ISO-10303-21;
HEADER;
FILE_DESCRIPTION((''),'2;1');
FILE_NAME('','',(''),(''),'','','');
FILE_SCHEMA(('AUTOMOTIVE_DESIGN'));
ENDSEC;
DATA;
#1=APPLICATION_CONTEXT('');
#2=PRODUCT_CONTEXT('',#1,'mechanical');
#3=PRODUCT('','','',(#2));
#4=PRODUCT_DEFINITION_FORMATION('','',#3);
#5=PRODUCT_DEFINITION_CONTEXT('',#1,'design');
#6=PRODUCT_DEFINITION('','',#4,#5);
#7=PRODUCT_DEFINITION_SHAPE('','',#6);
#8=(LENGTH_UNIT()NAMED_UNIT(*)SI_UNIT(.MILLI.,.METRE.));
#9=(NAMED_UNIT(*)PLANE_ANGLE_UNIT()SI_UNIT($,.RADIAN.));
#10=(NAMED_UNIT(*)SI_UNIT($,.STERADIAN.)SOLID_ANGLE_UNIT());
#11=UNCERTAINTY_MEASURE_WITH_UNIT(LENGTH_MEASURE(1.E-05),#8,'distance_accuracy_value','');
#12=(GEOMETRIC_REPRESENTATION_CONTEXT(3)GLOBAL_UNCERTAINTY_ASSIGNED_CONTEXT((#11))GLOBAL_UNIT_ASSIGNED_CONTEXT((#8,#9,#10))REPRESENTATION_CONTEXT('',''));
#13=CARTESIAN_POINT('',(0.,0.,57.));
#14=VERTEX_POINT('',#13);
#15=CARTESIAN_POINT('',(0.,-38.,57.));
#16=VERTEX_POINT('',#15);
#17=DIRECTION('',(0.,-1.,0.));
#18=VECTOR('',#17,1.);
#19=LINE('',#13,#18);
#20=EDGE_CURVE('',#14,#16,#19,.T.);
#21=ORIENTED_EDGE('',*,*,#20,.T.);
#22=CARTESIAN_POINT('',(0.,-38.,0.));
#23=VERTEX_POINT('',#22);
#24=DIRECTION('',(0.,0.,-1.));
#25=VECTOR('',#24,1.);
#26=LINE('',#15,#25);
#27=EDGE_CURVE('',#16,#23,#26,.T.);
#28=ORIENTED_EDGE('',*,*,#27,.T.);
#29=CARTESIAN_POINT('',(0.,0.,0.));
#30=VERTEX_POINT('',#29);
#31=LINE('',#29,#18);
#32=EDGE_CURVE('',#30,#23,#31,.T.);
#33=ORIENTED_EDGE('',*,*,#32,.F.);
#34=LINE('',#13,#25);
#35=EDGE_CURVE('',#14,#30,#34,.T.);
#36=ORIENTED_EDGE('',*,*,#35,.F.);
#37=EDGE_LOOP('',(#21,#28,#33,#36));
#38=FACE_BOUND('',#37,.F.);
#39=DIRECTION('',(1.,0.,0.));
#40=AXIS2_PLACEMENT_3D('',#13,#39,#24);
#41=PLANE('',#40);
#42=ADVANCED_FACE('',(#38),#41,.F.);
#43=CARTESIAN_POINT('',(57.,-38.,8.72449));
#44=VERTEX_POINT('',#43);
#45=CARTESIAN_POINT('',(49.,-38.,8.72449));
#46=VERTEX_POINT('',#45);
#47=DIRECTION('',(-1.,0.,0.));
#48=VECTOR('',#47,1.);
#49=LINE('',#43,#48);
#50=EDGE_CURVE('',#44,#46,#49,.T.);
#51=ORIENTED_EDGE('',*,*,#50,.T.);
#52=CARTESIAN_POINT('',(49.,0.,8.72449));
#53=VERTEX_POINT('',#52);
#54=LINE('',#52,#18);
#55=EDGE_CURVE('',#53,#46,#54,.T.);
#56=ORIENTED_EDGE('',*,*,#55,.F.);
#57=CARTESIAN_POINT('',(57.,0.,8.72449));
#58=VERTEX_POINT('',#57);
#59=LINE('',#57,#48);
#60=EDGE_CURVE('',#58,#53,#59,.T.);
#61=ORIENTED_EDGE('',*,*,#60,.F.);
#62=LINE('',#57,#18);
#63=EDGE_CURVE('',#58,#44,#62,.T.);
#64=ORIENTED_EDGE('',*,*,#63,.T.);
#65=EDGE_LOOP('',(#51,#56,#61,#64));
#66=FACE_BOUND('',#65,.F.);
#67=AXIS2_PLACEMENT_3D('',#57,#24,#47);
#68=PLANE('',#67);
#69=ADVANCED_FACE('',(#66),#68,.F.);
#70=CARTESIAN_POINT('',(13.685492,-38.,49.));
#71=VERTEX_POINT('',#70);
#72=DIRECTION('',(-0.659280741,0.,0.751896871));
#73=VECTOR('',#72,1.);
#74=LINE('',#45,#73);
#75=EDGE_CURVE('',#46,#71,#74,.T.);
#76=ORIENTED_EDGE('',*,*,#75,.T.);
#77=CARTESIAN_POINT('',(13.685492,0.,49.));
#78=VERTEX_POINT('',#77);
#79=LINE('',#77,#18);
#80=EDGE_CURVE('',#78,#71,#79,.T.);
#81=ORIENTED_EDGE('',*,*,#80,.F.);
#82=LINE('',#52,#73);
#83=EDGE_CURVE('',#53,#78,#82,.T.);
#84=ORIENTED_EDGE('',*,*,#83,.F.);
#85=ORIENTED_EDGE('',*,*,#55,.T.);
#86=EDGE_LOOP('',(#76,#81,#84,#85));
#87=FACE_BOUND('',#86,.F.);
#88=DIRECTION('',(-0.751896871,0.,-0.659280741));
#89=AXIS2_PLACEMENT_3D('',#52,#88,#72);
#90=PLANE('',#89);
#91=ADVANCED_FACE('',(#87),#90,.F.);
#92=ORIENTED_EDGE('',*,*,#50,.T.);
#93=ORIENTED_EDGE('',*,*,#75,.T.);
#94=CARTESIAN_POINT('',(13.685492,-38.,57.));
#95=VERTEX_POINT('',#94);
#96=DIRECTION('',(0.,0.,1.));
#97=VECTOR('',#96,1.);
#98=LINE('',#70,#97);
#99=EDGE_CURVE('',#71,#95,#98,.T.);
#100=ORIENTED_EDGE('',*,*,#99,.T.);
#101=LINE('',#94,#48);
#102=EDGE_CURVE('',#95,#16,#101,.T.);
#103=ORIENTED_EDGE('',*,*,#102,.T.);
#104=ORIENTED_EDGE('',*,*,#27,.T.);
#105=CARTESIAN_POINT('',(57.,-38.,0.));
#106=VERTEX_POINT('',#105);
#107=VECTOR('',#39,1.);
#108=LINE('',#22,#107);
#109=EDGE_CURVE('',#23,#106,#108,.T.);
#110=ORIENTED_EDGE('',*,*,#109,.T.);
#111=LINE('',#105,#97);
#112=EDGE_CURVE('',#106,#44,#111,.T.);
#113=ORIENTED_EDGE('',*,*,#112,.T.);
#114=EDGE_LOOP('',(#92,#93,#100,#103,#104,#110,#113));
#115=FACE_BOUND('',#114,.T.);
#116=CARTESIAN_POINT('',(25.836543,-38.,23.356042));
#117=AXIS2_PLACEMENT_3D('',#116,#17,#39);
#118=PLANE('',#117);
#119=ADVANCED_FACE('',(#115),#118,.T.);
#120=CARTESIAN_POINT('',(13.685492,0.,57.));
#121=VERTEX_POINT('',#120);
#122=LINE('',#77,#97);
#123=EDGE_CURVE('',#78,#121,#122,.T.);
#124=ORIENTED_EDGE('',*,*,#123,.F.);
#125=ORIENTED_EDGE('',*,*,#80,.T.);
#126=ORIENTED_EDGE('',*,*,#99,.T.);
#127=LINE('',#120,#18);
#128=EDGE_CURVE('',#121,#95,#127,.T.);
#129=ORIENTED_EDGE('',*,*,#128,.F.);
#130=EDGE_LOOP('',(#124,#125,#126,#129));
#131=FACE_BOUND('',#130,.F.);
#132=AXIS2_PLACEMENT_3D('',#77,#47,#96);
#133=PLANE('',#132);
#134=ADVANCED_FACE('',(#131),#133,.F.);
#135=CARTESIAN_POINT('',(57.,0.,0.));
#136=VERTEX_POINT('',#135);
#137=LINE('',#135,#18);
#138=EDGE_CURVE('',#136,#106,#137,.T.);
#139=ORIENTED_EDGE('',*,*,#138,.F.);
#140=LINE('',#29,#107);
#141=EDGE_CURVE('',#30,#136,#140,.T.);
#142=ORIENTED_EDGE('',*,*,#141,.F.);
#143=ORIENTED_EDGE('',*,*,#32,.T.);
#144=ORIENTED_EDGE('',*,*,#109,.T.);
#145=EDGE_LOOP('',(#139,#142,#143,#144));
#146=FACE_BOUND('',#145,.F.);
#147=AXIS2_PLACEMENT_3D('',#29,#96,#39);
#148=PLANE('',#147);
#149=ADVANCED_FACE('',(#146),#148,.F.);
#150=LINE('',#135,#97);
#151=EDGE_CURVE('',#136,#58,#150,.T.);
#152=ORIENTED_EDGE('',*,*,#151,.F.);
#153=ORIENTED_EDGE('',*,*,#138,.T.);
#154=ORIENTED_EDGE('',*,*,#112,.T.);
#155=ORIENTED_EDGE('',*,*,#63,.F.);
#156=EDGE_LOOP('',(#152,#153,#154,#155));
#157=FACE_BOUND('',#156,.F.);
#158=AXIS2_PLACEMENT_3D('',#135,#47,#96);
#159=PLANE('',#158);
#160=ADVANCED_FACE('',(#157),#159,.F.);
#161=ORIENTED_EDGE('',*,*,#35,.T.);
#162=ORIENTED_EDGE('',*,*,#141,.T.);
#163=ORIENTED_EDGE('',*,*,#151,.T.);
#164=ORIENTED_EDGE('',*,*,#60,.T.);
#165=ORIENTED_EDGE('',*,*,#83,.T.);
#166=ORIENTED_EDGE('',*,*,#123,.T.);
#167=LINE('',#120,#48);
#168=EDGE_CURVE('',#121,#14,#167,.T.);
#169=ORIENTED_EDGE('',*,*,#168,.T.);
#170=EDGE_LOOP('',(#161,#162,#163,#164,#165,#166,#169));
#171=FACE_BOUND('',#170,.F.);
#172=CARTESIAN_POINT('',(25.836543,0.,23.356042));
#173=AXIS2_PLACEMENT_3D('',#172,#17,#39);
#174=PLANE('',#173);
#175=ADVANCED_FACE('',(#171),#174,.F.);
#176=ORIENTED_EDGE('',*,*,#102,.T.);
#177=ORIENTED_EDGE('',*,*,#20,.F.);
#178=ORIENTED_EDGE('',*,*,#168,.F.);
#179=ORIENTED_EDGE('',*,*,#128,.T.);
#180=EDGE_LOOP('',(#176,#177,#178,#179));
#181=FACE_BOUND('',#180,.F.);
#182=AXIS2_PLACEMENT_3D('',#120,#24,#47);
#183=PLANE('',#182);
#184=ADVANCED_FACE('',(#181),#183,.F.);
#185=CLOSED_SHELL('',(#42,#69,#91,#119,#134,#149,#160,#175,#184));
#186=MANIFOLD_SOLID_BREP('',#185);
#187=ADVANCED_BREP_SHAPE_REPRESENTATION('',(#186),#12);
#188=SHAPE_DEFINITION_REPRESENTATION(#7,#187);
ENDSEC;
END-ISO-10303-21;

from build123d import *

# Parameters (mm, degrees)
F1_DEPTH = 38


with BuildPart() as f1:
    # F0 (on Front) → F1 (new body)
    with BuildSketch(Plane.XZ):
        Polygon((49, 8.72449), (13.685492, 49), (13.685492, 8.72449), align=None)
        Polygon((13.685492, 57), (0, 57), (0, 0), (57, 0), (57, 8.72449), (49, 8.72449), (13.685492, 8.72449), (13.685492, 49), align=None)
    extrude(amount=F1_DEPTH)


solid = f1.part
